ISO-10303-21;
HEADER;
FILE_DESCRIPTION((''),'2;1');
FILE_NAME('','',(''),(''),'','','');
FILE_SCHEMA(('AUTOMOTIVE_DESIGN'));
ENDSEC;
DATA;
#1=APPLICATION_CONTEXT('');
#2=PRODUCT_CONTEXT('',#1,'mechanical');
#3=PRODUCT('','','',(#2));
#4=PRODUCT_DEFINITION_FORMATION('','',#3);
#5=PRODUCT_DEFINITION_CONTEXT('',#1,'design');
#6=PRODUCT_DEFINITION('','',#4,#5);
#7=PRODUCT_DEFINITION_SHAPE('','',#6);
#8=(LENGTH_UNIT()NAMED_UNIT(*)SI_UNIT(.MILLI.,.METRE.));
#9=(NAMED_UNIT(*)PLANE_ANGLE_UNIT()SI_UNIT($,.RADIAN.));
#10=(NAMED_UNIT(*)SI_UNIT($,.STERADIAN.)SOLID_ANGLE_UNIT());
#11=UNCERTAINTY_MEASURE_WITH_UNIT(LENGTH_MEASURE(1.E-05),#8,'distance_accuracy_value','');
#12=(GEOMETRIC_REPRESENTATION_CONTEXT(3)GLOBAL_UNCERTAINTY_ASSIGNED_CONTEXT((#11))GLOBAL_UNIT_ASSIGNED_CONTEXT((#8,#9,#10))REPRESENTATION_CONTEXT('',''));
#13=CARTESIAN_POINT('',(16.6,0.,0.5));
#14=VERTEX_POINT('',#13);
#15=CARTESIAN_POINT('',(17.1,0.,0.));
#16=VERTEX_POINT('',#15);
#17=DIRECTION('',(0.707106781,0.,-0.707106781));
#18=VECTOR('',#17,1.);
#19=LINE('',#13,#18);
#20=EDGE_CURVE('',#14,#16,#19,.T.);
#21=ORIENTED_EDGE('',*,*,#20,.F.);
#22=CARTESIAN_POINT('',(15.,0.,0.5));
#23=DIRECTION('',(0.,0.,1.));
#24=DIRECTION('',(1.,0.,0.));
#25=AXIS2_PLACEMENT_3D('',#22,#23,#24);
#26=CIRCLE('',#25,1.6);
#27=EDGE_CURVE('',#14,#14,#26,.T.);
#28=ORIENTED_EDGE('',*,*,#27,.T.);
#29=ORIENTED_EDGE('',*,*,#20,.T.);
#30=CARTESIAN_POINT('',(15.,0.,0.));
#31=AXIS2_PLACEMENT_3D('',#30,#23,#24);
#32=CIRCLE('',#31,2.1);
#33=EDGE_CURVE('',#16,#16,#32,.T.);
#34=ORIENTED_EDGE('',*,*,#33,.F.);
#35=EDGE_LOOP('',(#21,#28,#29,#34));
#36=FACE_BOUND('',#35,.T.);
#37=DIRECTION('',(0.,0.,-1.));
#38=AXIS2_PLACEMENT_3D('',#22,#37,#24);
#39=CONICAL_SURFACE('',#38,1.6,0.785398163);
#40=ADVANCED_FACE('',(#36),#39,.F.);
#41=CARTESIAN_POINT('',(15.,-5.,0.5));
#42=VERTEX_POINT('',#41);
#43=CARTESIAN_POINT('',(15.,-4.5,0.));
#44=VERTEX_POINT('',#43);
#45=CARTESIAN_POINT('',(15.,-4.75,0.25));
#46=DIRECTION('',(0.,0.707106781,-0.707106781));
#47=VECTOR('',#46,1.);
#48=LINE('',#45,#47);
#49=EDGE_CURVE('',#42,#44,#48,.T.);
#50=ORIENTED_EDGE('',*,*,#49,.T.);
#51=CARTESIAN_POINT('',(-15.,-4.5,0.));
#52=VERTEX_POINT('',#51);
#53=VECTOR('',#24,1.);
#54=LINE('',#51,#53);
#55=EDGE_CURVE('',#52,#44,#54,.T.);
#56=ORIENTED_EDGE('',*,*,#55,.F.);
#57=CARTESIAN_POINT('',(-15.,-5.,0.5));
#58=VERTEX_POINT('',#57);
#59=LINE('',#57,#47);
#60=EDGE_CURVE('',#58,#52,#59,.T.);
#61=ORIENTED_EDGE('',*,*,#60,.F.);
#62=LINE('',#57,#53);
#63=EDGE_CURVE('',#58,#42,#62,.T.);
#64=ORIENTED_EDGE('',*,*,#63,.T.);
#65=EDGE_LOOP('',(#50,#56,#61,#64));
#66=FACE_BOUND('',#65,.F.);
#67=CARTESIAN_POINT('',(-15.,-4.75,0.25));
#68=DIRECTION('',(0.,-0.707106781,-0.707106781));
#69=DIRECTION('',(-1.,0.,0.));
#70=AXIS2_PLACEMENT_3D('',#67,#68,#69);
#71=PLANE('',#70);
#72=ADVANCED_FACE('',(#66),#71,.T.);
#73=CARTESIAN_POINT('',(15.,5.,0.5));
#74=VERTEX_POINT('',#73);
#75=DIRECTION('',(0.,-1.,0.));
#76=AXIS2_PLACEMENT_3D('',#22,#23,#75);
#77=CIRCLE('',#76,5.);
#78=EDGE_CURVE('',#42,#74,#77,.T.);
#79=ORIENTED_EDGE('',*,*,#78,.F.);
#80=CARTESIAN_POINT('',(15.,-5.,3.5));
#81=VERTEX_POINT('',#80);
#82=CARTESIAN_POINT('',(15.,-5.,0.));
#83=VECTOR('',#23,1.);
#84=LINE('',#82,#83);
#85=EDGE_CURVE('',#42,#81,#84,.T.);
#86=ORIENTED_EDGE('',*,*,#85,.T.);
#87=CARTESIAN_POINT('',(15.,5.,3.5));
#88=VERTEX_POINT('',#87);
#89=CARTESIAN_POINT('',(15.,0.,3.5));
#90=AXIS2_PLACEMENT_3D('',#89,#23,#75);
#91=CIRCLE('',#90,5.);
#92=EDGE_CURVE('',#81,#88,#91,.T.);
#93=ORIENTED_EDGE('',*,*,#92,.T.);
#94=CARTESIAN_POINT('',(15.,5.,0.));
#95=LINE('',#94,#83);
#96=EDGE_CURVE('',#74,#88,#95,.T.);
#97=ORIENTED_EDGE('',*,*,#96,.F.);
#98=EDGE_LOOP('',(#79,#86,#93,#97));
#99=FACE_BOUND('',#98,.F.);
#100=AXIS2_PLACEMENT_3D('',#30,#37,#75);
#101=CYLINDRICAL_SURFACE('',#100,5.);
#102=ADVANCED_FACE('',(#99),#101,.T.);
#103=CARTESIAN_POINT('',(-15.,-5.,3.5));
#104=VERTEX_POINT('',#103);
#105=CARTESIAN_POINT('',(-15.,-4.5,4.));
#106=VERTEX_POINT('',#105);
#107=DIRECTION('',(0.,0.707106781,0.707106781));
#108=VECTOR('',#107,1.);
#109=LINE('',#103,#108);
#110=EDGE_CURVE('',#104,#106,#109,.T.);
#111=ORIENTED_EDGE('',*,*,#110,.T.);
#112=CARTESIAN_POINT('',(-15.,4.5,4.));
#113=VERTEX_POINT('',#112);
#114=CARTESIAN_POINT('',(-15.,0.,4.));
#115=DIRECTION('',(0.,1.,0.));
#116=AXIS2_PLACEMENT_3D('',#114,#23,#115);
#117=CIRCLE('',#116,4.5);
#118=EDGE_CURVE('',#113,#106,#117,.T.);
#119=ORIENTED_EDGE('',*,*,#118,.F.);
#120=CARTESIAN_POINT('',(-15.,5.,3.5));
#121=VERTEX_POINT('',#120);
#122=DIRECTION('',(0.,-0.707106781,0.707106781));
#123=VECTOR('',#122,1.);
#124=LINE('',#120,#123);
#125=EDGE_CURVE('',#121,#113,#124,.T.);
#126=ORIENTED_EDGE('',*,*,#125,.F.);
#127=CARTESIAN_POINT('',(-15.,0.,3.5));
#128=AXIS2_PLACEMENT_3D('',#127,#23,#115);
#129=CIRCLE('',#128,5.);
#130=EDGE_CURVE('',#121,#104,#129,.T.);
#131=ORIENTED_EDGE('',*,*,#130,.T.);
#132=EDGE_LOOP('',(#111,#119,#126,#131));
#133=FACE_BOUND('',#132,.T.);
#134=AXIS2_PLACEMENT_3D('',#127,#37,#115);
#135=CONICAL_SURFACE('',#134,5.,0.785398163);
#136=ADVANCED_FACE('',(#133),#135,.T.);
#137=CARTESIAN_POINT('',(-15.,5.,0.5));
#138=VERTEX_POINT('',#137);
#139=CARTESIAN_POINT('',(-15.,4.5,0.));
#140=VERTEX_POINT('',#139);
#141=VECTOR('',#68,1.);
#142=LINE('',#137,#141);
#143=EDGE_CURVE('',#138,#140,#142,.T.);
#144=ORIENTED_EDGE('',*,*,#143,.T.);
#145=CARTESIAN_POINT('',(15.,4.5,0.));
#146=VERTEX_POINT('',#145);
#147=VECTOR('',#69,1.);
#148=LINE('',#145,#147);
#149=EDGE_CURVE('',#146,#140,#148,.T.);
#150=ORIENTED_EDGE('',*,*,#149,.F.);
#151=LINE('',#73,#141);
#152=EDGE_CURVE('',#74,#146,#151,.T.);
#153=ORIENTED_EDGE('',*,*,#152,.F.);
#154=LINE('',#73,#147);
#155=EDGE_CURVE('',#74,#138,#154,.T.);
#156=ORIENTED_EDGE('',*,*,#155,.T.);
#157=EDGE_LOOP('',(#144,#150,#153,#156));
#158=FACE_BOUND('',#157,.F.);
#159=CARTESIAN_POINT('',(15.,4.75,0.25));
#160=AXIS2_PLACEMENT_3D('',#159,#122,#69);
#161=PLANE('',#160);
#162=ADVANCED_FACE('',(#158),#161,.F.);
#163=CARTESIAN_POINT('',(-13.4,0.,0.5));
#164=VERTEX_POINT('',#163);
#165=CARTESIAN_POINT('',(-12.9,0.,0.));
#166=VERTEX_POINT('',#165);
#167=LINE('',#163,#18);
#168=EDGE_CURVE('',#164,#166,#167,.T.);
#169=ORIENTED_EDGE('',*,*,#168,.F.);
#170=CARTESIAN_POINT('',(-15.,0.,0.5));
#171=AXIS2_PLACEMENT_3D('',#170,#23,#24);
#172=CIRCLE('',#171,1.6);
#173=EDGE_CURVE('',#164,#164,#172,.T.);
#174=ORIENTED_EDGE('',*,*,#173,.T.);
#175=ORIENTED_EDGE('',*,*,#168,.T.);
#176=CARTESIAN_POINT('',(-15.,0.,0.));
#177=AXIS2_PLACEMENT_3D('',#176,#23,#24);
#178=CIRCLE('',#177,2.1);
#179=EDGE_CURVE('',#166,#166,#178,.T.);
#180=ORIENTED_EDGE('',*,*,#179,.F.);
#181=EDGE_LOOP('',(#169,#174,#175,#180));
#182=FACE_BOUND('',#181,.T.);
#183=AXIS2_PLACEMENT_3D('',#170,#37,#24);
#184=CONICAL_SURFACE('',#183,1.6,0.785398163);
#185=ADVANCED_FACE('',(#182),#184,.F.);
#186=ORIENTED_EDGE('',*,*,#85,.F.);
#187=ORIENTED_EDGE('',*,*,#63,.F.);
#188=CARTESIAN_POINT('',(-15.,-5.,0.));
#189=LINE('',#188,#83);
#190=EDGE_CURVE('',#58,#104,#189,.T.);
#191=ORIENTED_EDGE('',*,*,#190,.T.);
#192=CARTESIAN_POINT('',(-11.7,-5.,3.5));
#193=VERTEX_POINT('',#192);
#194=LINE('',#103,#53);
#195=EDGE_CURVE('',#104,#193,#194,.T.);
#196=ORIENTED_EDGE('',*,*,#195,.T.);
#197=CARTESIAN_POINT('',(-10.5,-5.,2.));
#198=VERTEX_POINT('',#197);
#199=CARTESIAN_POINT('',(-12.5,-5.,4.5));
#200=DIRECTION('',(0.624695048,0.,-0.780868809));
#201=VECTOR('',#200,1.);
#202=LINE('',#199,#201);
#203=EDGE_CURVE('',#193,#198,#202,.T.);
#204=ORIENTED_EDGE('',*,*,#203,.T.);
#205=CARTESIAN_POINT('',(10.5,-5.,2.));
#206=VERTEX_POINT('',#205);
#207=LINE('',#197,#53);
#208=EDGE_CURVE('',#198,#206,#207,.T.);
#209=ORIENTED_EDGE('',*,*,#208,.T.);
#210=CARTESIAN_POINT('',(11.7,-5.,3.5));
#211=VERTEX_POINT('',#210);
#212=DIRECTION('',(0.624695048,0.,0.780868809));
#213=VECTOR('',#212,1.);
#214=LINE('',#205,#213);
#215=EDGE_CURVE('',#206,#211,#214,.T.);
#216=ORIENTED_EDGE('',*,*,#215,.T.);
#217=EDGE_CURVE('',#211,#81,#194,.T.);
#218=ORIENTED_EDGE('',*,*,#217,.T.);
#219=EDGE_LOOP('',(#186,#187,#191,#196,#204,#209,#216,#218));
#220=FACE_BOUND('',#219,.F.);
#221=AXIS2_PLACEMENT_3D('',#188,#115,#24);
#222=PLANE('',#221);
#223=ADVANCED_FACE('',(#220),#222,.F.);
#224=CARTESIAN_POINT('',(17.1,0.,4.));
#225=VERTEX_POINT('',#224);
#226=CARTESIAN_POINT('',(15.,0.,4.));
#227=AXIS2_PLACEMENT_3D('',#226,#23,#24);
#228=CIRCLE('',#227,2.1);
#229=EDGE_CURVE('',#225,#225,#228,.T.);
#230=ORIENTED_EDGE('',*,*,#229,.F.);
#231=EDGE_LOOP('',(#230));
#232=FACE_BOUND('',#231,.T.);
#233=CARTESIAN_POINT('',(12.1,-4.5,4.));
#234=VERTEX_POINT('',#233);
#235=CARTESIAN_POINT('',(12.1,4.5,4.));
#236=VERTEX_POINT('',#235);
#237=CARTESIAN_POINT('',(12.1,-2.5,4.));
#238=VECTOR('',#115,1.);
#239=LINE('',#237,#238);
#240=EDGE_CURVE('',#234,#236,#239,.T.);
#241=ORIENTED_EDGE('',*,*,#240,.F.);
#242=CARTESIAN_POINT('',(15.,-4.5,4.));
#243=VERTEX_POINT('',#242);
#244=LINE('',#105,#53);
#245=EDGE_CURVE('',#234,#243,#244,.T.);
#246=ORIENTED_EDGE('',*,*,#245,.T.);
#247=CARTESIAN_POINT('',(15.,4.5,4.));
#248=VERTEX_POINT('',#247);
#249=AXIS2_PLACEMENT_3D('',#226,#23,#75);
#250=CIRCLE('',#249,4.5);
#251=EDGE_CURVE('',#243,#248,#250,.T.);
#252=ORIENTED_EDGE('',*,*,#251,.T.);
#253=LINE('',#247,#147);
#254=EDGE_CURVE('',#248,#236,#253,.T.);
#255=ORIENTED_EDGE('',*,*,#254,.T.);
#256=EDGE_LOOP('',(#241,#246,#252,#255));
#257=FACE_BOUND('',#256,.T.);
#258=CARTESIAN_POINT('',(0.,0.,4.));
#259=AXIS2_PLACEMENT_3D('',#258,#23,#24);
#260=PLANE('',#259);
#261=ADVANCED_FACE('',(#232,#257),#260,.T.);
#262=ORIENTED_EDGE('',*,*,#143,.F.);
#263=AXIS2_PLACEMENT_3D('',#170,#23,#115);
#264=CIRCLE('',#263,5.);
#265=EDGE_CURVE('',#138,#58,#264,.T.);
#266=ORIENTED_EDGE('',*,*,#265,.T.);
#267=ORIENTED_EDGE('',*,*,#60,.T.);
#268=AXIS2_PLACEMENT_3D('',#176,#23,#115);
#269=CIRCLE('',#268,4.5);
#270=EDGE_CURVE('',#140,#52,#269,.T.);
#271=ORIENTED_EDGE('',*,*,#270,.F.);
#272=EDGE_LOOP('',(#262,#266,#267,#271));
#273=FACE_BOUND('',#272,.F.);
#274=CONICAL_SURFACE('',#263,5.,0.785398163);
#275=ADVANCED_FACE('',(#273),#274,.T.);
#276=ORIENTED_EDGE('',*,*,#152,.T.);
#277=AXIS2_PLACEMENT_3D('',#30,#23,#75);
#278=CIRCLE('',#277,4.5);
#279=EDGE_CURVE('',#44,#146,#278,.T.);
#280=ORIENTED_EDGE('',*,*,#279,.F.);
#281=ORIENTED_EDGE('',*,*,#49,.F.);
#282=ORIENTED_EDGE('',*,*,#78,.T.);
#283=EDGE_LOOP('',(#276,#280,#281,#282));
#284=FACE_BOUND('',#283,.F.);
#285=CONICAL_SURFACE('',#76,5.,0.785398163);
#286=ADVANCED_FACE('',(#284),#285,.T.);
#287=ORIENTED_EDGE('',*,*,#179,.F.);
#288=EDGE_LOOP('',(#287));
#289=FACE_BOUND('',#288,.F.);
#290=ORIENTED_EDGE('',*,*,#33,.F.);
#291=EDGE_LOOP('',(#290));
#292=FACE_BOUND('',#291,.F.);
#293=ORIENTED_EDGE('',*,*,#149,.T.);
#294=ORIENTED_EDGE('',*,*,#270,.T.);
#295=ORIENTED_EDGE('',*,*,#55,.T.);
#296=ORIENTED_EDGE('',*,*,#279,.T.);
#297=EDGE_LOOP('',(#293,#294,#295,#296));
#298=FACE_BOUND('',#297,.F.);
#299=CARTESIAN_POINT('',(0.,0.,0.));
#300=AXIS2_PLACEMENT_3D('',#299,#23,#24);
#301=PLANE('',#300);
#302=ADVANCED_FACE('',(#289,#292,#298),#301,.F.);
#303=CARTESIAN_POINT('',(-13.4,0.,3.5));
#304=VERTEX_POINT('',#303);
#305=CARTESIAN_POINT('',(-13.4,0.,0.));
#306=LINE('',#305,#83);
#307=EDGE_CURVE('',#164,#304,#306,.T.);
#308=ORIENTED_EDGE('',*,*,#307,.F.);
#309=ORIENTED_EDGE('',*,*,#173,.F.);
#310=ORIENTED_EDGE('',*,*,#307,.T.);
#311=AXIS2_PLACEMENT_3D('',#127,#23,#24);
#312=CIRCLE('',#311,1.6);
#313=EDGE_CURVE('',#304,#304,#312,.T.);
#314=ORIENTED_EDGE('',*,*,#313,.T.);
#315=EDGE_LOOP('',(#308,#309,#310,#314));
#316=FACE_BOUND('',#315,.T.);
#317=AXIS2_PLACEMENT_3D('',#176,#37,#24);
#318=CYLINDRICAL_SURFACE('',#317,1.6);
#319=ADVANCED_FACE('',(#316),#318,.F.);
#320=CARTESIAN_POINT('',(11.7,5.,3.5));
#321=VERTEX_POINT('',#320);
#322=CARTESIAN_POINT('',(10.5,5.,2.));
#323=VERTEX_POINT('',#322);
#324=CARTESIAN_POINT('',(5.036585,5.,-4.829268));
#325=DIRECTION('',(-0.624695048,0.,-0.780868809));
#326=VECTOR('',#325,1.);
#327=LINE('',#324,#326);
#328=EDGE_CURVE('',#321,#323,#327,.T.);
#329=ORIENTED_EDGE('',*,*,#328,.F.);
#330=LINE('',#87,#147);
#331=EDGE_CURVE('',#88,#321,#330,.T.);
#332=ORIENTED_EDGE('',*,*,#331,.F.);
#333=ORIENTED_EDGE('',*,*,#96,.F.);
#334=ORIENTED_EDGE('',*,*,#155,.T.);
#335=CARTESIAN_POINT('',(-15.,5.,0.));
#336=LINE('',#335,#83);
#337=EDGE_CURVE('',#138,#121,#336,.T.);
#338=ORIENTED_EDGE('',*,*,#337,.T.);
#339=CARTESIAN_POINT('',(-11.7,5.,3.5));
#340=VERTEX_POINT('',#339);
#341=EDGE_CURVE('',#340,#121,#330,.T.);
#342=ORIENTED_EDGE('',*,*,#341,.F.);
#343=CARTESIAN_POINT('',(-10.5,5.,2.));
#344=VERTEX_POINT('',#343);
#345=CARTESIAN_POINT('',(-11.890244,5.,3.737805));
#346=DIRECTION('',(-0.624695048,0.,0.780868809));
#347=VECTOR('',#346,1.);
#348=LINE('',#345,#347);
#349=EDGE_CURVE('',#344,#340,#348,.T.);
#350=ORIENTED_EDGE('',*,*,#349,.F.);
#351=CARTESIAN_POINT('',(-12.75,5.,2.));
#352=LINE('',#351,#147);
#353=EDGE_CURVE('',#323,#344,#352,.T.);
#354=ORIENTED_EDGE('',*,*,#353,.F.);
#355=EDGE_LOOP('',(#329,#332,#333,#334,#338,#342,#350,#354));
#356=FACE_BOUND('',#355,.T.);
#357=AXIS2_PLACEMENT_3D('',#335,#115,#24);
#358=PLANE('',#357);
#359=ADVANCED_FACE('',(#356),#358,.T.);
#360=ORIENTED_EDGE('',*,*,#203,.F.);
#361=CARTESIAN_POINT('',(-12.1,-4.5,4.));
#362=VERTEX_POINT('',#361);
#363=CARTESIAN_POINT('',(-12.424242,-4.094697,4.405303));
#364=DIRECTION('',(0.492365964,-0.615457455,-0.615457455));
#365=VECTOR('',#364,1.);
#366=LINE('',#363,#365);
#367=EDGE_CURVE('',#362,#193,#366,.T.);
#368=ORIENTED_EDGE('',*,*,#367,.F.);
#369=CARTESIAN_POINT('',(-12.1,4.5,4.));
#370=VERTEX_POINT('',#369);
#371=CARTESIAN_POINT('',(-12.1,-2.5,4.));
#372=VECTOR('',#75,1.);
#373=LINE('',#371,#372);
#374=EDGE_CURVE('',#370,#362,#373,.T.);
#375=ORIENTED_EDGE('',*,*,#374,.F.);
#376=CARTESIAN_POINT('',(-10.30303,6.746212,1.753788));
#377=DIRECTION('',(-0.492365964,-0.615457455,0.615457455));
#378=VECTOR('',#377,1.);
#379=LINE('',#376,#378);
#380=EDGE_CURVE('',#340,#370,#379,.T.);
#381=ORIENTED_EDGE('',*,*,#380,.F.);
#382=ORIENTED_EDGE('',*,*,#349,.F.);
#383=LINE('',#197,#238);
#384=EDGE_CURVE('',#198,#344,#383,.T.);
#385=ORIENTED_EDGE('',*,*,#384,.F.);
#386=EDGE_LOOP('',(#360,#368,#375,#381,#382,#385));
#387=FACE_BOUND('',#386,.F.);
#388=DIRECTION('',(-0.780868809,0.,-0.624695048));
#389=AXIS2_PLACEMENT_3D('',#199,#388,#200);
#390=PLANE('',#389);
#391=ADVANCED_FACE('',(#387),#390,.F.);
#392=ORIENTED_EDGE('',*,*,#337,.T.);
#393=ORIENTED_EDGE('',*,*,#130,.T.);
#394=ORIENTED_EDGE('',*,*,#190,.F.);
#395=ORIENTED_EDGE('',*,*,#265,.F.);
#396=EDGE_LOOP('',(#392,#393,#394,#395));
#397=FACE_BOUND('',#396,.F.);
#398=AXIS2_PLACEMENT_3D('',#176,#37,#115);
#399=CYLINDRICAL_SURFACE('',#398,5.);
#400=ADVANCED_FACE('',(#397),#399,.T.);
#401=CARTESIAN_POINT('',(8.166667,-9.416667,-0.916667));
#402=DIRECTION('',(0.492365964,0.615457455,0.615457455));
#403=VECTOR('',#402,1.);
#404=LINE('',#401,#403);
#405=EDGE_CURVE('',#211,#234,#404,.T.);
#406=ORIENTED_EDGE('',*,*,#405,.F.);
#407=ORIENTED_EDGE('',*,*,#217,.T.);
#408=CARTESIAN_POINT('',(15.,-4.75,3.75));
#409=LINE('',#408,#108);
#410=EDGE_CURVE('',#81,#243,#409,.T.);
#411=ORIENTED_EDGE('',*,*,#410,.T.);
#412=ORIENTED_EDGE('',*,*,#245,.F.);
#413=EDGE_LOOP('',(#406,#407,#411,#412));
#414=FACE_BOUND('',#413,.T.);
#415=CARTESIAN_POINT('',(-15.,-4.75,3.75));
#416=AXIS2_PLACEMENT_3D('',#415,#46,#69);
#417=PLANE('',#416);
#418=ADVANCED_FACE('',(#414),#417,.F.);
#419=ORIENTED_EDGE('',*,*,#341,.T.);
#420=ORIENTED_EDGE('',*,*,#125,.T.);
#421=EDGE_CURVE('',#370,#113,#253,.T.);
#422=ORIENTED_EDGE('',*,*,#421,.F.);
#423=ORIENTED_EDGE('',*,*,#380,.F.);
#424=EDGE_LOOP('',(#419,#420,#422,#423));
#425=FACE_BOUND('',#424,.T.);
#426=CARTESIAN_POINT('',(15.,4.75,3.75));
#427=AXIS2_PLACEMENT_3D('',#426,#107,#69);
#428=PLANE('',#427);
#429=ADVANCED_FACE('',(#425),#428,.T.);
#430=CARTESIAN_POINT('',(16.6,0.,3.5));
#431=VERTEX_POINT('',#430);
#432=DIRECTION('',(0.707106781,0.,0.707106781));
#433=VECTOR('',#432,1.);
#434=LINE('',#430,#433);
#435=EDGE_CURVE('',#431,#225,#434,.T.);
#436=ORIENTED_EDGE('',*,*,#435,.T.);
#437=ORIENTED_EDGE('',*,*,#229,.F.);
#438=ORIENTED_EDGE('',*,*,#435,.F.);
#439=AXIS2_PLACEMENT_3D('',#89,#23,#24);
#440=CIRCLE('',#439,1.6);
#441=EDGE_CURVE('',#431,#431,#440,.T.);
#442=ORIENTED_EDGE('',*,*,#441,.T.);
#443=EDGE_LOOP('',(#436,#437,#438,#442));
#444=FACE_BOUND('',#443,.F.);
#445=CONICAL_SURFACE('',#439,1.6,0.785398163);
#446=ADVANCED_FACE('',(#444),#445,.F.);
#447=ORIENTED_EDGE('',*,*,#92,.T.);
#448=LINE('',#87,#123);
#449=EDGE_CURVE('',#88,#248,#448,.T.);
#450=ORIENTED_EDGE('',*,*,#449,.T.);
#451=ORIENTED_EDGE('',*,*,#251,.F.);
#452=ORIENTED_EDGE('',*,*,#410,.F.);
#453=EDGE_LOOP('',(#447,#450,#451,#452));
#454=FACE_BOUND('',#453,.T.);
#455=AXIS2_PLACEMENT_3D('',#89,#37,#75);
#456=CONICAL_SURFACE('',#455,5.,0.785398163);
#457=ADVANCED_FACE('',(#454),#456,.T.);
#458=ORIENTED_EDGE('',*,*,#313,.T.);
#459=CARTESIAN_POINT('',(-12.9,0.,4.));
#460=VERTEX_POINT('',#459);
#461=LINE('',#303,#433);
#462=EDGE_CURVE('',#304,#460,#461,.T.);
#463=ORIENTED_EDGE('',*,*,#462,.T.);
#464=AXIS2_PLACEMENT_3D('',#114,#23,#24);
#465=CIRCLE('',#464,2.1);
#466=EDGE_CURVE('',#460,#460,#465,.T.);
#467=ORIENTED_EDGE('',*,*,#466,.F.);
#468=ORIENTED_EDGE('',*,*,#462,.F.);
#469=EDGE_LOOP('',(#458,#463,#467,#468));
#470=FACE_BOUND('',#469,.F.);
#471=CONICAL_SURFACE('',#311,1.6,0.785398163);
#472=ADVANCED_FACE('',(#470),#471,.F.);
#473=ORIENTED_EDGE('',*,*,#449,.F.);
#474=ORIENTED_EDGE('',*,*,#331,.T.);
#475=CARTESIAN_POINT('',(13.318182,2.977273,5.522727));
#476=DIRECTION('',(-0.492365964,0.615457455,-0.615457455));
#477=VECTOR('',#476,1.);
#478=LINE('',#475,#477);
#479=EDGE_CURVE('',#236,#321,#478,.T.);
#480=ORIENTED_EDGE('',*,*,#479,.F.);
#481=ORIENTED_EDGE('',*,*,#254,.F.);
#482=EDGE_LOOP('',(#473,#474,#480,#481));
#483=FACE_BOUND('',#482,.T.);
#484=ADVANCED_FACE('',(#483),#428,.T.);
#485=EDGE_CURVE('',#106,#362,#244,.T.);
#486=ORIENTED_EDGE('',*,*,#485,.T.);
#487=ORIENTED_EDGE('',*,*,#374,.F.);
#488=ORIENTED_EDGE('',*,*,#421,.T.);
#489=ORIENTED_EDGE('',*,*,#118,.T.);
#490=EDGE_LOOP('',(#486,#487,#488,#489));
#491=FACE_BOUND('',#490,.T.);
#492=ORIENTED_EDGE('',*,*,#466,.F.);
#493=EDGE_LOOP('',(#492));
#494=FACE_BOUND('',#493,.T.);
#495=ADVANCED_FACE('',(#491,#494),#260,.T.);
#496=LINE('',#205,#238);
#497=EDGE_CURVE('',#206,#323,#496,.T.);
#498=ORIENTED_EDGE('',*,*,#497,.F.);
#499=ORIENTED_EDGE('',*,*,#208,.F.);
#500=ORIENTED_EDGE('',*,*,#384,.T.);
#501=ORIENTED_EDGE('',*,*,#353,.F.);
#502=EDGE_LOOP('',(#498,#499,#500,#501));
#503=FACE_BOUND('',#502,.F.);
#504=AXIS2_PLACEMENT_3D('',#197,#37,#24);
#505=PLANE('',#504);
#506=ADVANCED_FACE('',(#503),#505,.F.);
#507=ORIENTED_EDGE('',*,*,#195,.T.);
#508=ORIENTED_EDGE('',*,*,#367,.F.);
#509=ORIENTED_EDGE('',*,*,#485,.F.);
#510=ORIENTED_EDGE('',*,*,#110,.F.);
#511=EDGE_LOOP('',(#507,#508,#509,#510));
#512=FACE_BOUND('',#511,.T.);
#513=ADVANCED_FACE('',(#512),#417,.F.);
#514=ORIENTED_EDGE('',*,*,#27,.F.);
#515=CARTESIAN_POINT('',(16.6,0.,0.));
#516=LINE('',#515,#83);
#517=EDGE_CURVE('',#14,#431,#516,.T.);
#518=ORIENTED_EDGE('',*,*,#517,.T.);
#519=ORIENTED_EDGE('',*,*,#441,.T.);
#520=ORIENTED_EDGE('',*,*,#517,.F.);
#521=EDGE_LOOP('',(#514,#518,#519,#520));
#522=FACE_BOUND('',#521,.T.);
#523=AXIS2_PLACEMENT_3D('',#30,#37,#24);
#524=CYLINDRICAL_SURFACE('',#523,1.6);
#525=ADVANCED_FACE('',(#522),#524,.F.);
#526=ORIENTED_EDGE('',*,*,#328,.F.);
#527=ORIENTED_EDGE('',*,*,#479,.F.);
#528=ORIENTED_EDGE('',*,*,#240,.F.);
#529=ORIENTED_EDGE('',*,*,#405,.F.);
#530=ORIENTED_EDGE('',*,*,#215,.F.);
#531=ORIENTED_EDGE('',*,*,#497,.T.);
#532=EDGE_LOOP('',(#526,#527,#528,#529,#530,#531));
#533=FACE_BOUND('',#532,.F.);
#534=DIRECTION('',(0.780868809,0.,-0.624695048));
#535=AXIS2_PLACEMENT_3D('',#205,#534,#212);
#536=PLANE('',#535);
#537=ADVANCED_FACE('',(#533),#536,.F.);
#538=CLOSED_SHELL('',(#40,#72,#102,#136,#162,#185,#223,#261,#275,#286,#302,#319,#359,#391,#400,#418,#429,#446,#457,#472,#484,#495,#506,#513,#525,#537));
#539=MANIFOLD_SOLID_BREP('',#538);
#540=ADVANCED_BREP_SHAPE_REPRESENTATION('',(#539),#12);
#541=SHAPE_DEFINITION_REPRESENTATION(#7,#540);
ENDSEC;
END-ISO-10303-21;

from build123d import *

# Parameters (mm, degrees)
SKETCH_R     = 1.6
PAD_DEPTH    = 4
CHAMFER_SIZE = 0.5
POCKET_DEPTH = 10.001


with BuildPart() as part:
    # Sketch → Pad (new body)
    with BuildSketch(Plane.XY):
        with BuildLine():
            ThreePointArc((-15, 5), (-20, 0), (-15, -5))
            Line((-15, -5), (15, -5))
            ThreePointArc((15, -5), (20, 0), (15, 5))
            Line((-15, 5), (15, 5))
        make_face()
        with Locations((-15, 0)):
            Circle(SKETCH_R, mode=Mode.SUBTRACT)
        with Locations((15, 0)):
            Circle(SKETCH_R, mode=Mode.SUBTRACT)
    extrude(amount=PAD_DEPTH)

    # Chamfer
    chamfer_edges = [part.edges().sort_by_distance(p)[0] for p in [
        (-20, 0, 4),
        (0, -5, 4),
        (20, 0, 4),
        (0, 5, 4),
        (13.4, 0, 4),
        (-16.6, 0, 4),
        (-20, 0, 0),
        (0, -5, 0),
        (20, 0, 0),
        (0, 5, 0),
        (13.4, 0, 0),
        (-16.6, 0, 0),
    ]]
    chamfer(chamfer_edges, length=CHAMFER_SIZE)

    # Sketch001 → Pocket (cut, through all)
    with BuildSketch(Plane.XZ.offset(5)):
        Polygon((-12.5, 4.5), (-10.5, 2), (10.5, 2), (12.5, 4.5), align=None)
    extrude(amount=-POCKET_DEPTH, mode=Mode.SUBTRACT)


solid = part.part
